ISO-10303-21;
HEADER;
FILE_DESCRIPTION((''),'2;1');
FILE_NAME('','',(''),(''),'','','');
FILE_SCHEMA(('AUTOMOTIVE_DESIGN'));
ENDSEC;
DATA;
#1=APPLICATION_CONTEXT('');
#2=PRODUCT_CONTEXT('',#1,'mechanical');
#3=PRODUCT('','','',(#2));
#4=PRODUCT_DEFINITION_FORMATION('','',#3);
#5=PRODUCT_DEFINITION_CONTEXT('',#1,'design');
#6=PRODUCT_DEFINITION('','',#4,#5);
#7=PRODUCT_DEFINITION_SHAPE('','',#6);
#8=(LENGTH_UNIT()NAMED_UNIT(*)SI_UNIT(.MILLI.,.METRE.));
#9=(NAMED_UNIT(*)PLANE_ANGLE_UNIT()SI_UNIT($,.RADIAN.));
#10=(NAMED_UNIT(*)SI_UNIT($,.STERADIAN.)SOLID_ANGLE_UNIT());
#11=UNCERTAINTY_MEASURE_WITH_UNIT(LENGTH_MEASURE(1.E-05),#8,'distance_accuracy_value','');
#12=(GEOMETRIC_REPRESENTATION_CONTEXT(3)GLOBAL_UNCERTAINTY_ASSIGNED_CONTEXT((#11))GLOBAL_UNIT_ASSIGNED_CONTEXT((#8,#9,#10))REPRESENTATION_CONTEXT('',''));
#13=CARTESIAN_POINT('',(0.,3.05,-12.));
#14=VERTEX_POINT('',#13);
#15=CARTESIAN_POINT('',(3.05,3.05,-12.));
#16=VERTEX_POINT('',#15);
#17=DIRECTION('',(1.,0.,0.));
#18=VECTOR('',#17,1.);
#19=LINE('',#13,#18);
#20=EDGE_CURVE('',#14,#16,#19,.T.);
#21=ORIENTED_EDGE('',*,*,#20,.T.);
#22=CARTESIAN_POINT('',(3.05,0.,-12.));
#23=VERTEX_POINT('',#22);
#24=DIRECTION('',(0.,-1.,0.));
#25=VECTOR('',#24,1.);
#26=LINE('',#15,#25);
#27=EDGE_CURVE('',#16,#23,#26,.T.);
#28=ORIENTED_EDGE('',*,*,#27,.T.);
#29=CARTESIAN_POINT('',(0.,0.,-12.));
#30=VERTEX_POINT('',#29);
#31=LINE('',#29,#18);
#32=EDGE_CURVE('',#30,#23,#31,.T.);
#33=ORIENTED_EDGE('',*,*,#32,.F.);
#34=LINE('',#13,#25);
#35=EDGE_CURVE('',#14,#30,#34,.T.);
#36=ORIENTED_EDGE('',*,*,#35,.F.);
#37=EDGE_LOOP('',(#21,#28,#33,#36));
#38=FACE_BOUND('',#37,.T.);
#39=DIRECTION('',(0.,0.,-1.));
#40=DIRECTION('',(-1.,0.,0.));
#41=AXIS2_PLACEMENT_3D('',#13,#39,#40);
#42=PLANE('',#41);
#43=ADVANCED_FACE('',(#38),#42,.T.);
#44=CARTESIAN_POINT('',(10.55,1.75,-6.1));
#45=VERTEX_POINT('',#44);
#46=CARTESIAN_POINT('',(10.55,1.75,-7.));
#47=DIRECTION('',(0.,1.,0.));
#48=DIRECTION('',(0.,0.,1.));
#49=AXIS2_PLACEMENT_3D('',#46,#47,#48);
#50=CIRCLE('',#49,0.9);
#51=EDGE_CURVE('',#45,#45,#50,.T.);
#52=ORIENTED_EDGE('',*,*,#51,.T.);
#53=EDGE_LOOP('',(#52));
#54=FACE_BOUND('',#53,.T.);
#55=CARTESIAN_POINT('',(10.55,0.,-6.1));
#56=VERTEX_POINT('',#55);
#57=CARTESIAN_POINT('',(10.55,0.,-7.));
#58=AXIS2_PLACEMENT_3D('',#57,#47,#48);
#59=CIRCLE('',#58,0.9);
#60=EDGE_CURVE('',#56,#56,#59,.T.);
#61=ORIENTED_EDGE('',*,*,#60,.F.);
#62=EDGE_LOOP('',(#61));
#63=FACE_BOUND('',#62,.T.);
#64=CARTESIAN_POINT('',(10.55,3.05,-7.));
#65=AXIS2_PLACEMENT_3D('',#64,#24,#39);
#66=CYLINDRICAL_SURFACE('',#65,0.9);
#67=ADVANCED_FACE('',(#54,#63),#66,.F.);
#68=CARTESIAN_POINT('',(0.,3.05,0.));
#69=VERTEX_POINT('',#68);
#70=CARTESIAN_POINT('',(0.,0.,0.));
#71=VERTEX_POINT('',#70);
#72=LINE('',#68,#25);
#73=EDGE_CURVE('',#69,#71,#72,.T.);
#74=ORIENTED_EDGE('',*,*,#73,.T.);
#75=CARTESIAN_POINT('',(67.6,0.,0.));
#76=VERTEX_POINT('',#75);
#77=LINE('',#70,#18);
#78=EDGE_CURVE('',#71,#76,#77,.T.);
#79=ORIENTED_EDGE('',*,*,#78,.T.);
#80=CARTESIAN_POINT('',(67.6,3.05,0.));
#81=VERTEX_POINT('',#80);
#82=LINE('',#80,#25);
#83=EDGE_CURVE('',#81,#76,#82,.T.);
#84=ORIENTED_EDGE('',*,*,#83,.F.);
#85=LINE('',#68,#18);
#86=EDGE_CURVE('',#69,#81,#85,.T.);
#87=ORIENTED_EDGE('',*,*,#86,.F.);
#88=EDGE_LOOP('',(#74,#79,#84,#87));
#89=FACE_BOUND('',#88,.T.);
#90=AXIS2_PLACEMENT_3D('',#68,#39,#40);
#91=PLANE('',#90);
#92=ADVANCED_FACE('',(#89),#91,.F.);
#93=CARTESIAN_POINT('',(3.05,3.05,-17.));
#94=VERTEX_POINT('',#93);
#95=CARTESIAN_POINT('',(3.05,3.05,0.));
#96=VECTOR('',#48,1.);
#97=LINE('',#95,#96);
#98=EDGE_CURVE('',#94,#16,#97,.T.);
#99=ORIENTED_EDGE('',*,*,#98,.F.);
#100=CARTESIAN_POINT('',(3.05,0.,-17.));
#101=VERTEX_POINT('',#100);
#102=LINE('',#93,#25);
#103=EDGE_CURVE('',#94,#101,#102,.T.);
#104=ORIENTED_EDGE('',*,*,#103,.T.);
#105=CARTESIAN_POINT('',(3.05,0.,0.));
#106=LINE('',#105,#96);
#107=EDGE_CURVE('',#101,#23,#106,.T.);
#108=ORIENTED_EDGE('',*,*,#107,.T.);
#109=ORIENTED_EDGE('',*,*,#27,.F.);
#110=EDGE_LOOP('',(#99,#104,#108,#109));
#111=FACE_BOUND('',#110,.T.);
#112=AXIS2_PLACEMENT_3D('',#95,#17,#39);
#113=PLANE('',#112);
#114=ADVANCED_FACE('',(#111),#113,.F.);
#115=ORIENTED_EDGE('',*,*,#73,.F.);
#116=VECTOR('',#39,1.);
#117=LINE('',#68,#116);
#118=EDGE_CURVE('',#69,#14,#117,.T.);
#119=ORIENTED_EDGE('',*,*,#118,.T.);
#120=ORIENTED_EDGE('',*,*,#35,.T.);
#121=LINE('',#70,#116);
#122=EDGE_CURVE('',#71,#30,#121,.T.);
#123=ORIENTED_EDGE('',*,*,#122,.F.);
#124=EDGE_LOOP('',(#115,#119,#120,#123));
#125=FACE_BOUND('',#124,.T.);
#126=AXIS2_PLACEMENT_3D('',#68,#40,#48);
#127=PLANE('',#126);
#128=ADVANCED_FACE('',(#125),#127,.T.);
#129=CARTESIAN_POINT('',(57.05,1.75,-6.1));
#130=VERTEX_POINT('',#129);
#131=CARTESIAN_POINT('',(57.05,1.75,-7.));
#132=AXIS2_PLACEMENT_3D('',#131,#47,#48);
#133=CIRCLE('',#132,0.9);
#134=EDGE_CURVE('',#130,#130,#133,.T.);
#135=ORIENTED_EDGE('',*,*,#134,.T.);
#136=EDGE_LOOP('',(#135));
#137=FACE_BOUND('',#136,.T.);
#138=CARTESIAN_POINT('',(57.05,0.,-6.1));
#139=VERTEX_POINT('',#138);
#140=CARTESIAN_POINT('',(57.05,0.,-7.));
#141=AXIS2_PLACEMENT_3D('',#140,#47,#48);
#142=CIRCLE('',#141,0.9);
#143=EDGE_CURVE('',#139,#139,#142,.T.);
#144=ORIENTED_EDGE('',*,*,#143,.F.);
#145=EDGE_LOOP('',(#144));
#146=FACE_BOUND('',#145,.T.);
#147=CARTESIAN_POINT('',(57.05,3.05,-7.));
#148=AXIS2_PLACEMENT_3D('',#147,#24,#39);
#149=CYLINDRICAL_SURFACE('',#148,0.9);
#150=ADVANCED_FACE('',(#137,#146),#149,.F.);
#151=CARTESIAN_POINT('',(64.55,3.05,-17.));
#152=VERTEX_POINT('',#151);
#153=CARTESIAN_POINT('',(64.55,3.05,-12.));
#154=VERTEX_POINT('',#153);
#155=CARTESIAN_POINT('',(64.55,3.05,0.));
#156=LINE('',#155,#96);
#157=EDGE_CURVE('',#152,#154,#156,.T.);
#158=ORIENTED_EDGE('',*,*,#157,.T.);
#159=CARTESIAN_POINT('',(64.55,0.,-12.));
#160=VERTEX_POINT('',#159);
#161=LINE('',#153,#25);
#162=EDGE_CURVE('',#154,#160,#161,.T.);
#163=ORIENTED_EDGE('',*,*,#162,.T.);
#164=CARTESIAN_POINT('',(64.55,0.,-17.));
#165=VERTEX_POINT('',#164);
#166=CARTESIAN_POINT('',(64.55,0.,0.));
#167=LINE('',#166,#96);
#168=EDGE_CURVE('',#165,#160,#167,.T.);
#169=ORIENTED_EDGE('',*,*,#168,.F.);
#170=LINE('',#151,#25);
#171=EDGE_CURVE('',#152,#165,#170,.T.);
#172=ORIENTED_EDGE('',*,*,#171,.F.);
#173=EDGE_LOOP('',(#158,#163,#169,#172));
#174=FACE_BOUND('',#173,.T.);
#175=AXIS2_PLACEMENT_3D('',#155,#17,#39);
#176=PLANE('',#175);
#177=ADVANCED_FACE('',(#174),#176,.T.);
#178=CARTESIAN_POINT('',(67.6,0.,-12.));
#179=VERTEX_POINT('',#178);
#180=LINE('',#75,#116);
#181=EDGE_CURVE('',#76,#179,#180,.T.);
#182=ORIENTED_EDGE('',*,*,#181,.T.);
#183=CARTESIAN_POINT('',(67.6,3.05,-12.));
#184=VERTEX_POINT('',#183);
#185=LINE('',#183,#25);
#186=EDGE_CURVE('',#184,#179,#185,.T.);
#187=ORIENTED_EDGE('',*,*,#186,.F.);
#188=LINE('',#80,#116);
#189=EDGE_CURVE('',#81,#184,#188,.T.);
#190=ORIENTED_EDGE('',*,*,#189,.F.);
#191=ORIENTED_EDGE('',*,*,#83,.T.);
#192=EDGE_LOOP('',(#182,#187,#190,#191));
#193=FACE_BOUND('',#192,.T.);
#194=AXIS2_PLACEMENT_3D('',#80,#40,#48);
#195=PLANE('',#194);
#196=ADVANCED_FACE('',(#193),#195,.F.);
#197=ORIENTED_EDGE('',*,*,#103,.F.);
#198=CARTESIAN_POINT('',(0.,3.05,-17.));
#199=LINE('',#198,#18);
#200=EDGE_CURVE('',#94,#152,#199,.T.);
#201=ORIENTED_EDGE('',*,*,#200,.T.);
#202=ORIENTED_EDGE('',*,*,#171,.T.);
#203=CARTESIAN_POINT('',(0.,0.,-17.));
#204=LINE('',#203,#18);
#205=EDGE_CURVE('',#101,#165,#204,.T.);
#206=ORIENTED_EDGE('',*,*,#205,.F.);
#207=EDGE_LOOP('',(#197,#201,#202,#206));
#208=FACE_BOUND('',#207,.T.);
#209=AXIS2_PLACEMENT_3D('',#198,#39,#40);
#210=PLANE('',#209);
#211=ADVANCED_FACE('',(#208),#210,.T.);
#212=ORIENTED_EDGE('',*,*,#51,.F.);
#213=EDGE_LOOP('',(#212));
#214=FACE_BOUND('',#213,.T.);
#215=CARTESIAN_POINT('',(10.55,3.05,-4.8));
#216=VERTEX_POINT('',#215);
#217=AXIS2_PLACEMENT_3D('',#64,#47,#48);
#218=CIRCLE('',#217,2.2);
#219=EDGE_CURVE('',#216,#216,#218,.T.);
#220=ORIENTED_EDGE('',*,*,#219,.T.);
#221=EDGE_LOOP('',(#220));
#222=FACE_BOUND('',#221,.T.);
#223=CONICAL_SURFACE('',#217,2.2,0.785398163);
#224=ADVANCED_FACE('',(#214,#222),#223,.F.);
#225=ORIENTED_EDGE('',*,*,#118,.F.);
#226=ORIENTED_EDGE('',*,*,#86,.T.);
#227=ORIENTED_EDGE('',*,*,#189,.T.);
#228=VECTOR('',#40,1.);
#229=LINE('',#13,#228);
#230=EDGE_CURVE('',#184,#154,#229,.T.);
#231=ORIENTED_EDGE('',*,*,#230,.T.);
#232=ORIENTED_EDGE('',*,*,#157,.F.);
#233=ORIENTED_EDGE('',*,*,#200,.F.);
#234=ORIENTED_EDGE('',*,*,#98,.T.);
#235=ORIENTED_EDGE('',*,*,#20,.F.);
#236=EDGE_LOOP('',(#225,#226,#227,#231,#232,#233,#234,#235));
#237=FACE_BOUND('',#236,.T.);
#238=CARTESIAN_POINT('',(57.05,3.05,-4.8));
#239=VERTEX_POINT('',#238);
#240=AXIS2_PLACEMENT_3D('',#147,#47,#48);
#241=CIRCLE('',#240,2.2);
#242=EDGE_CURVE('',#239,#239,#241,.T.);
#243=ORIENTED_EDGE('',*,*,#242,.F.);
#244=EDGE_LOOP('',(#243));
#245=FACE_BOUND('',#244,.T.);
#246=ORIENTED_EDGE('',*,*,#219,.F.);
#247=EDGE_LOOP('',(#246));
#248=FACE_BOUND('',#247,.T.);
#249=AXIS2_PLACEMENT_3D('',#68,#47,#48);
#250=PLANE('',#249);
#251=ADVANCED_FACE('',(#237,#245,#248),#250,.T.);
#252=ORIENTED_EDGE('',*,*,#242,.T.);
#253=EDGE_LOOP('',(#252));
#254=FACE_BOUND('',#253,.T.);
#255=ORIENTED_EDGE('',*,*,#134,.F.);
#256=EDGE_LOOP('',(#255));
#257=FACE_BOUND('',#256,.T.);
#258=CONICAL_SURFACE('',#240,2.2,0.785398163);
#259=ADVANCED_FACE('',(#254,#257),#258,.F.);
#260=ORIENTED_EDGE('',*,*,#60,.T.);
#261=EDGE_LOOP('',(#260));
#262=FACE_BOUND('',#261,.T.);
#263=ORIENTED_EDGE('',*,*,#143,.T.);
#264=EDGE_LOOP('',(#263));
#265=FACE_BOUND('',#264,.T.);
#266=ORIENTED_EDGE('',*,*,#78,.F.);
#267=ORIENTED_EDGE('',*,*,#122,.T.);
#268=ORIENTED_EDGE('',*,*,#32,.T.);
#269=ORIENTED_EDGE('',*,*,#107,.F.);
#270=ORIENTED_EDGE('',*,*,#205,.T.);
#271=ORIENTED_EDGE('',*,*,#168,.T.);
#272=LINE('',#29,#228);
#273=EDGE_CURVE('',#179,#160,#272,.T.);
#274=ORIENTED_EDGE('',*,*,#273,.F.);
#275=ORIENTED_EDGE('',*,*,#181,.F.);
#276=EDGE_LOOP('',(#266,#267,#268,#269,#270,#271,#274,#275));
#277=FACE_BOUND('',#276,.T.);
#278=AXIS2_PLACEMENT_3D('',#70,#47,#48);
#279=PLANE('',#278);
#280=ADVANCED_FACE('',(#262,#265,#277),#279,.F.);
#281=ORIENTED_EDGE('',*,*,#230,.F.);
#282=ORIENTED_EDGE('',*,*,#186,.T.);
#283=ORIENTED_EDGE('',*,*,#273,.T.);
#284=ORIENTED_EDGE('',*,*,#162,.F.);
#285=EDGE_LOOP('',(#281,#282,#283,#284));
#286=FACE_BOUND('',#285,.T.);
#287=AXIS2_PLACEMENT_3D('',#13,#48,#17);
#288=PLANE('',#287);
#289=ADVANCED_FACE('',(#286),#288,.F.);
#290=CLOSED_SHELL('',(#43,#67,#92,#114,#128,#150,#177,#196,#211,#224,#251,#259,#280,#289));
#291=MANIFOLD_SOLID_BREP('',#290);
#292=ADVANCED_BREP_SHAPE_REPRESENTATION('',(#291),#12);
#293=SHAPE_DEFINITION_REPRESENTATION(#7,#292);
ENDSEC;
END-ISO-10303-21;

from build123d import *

# Parameters (mm, degrees)
SKETCH1_R                                       = 0.9
BOSS_EXTRUDE1_DEPTH                             = 3.05
CSK_FOR_M2_FLAT_HEAD_MACHINE_SCREW1_D           = 1.8
CSK_FOR_M2_FLAT_HEAD_MACHINE_SCREW1_CSINK_D     = 4.4
CSK_FOR_M2_FLAT_HEAD_MACHINE_SCREW1_CSINK_ANGLE = 90
CSK_FOR_M2_FLAT_HEAD_MACHINE_SCREW2_D           = 1.8
CSK_FOR_M2_FLAT_HEAD_MACHINE_SCREW2_CSINK_D     = 4.4
CSK_FOR_M2_FLAT_HEAD_MACHINE_SCREW2_CSINK_ANGLE = 90


with BuildPart() as part:
    # Sketch1 → Boss-Extrude1 (new body)
    with BuildSketch(Plane(origin=(0, 0, 0), x_dir=(1, 0, 0), z_dir=(0, 1, 0))):
        Polygon((3.05, 17), (3.05, 12), (0, 12), (0, 0), (67.6, 0), (67.6, 12), (64.55, 12), (64.55, 17), align=None)
        with Locations(Location((57.05, 7, 0), (0, 0, 270))):
            Circle(SKETCH1_R, mode=Mode.SUBTRACT)
        with Locations(Location((10.55, 7, 0), (0, 0, 270))):
            Circle(SKETCH1_R, mode=Mode.SUBTRACT)
    extrude(amount=BOSS_EXTRUDE1_DEPTH)

    # CSK for M2 Flat Head Machine Screw1 (through all)
    with Locations(Plane(origin=(0, 3.05, 0), x_dir=(1, 0, 0), z_dir=(0, 1, 0))):
        with Locations((10.55, 7)):
            CounterSinkHole(CSK_FOR_M2_FLAT_HEAD_MACHINE_SCREW1_D / 2, CSK_FOR_M2_FLAT_HEAD_MACHINE_SCREW1_CSINK_D / 2, counter_sink_angle=CSK_FOR_M2_FLAT_HEAD_MACHINE_SCREW1_CSINK_ANGLE)

    # CSK for M2 Flat Head Machine Screw2 (through all)
    with Locations(Plane(origin=(0, 3.05, 0), x_dir=(1, 0, 0), z_dir=(0, 1, 0))):
        with Locations((57.05, 7)):
            CounterSinkHole(CSK_FOR_M2_FLAT_HEAD_MACHINE_SCREW2_D / 2, CSK_FOR_M2_FLAT_HEAD_MACHINE_SCREW2_CSINK_D / 2, counter_sink_angle=CSK_FOR_M2_FLAT_HEAD_MACHINE_SCREW2_CSINK_ANGLE)


solid = part.part
